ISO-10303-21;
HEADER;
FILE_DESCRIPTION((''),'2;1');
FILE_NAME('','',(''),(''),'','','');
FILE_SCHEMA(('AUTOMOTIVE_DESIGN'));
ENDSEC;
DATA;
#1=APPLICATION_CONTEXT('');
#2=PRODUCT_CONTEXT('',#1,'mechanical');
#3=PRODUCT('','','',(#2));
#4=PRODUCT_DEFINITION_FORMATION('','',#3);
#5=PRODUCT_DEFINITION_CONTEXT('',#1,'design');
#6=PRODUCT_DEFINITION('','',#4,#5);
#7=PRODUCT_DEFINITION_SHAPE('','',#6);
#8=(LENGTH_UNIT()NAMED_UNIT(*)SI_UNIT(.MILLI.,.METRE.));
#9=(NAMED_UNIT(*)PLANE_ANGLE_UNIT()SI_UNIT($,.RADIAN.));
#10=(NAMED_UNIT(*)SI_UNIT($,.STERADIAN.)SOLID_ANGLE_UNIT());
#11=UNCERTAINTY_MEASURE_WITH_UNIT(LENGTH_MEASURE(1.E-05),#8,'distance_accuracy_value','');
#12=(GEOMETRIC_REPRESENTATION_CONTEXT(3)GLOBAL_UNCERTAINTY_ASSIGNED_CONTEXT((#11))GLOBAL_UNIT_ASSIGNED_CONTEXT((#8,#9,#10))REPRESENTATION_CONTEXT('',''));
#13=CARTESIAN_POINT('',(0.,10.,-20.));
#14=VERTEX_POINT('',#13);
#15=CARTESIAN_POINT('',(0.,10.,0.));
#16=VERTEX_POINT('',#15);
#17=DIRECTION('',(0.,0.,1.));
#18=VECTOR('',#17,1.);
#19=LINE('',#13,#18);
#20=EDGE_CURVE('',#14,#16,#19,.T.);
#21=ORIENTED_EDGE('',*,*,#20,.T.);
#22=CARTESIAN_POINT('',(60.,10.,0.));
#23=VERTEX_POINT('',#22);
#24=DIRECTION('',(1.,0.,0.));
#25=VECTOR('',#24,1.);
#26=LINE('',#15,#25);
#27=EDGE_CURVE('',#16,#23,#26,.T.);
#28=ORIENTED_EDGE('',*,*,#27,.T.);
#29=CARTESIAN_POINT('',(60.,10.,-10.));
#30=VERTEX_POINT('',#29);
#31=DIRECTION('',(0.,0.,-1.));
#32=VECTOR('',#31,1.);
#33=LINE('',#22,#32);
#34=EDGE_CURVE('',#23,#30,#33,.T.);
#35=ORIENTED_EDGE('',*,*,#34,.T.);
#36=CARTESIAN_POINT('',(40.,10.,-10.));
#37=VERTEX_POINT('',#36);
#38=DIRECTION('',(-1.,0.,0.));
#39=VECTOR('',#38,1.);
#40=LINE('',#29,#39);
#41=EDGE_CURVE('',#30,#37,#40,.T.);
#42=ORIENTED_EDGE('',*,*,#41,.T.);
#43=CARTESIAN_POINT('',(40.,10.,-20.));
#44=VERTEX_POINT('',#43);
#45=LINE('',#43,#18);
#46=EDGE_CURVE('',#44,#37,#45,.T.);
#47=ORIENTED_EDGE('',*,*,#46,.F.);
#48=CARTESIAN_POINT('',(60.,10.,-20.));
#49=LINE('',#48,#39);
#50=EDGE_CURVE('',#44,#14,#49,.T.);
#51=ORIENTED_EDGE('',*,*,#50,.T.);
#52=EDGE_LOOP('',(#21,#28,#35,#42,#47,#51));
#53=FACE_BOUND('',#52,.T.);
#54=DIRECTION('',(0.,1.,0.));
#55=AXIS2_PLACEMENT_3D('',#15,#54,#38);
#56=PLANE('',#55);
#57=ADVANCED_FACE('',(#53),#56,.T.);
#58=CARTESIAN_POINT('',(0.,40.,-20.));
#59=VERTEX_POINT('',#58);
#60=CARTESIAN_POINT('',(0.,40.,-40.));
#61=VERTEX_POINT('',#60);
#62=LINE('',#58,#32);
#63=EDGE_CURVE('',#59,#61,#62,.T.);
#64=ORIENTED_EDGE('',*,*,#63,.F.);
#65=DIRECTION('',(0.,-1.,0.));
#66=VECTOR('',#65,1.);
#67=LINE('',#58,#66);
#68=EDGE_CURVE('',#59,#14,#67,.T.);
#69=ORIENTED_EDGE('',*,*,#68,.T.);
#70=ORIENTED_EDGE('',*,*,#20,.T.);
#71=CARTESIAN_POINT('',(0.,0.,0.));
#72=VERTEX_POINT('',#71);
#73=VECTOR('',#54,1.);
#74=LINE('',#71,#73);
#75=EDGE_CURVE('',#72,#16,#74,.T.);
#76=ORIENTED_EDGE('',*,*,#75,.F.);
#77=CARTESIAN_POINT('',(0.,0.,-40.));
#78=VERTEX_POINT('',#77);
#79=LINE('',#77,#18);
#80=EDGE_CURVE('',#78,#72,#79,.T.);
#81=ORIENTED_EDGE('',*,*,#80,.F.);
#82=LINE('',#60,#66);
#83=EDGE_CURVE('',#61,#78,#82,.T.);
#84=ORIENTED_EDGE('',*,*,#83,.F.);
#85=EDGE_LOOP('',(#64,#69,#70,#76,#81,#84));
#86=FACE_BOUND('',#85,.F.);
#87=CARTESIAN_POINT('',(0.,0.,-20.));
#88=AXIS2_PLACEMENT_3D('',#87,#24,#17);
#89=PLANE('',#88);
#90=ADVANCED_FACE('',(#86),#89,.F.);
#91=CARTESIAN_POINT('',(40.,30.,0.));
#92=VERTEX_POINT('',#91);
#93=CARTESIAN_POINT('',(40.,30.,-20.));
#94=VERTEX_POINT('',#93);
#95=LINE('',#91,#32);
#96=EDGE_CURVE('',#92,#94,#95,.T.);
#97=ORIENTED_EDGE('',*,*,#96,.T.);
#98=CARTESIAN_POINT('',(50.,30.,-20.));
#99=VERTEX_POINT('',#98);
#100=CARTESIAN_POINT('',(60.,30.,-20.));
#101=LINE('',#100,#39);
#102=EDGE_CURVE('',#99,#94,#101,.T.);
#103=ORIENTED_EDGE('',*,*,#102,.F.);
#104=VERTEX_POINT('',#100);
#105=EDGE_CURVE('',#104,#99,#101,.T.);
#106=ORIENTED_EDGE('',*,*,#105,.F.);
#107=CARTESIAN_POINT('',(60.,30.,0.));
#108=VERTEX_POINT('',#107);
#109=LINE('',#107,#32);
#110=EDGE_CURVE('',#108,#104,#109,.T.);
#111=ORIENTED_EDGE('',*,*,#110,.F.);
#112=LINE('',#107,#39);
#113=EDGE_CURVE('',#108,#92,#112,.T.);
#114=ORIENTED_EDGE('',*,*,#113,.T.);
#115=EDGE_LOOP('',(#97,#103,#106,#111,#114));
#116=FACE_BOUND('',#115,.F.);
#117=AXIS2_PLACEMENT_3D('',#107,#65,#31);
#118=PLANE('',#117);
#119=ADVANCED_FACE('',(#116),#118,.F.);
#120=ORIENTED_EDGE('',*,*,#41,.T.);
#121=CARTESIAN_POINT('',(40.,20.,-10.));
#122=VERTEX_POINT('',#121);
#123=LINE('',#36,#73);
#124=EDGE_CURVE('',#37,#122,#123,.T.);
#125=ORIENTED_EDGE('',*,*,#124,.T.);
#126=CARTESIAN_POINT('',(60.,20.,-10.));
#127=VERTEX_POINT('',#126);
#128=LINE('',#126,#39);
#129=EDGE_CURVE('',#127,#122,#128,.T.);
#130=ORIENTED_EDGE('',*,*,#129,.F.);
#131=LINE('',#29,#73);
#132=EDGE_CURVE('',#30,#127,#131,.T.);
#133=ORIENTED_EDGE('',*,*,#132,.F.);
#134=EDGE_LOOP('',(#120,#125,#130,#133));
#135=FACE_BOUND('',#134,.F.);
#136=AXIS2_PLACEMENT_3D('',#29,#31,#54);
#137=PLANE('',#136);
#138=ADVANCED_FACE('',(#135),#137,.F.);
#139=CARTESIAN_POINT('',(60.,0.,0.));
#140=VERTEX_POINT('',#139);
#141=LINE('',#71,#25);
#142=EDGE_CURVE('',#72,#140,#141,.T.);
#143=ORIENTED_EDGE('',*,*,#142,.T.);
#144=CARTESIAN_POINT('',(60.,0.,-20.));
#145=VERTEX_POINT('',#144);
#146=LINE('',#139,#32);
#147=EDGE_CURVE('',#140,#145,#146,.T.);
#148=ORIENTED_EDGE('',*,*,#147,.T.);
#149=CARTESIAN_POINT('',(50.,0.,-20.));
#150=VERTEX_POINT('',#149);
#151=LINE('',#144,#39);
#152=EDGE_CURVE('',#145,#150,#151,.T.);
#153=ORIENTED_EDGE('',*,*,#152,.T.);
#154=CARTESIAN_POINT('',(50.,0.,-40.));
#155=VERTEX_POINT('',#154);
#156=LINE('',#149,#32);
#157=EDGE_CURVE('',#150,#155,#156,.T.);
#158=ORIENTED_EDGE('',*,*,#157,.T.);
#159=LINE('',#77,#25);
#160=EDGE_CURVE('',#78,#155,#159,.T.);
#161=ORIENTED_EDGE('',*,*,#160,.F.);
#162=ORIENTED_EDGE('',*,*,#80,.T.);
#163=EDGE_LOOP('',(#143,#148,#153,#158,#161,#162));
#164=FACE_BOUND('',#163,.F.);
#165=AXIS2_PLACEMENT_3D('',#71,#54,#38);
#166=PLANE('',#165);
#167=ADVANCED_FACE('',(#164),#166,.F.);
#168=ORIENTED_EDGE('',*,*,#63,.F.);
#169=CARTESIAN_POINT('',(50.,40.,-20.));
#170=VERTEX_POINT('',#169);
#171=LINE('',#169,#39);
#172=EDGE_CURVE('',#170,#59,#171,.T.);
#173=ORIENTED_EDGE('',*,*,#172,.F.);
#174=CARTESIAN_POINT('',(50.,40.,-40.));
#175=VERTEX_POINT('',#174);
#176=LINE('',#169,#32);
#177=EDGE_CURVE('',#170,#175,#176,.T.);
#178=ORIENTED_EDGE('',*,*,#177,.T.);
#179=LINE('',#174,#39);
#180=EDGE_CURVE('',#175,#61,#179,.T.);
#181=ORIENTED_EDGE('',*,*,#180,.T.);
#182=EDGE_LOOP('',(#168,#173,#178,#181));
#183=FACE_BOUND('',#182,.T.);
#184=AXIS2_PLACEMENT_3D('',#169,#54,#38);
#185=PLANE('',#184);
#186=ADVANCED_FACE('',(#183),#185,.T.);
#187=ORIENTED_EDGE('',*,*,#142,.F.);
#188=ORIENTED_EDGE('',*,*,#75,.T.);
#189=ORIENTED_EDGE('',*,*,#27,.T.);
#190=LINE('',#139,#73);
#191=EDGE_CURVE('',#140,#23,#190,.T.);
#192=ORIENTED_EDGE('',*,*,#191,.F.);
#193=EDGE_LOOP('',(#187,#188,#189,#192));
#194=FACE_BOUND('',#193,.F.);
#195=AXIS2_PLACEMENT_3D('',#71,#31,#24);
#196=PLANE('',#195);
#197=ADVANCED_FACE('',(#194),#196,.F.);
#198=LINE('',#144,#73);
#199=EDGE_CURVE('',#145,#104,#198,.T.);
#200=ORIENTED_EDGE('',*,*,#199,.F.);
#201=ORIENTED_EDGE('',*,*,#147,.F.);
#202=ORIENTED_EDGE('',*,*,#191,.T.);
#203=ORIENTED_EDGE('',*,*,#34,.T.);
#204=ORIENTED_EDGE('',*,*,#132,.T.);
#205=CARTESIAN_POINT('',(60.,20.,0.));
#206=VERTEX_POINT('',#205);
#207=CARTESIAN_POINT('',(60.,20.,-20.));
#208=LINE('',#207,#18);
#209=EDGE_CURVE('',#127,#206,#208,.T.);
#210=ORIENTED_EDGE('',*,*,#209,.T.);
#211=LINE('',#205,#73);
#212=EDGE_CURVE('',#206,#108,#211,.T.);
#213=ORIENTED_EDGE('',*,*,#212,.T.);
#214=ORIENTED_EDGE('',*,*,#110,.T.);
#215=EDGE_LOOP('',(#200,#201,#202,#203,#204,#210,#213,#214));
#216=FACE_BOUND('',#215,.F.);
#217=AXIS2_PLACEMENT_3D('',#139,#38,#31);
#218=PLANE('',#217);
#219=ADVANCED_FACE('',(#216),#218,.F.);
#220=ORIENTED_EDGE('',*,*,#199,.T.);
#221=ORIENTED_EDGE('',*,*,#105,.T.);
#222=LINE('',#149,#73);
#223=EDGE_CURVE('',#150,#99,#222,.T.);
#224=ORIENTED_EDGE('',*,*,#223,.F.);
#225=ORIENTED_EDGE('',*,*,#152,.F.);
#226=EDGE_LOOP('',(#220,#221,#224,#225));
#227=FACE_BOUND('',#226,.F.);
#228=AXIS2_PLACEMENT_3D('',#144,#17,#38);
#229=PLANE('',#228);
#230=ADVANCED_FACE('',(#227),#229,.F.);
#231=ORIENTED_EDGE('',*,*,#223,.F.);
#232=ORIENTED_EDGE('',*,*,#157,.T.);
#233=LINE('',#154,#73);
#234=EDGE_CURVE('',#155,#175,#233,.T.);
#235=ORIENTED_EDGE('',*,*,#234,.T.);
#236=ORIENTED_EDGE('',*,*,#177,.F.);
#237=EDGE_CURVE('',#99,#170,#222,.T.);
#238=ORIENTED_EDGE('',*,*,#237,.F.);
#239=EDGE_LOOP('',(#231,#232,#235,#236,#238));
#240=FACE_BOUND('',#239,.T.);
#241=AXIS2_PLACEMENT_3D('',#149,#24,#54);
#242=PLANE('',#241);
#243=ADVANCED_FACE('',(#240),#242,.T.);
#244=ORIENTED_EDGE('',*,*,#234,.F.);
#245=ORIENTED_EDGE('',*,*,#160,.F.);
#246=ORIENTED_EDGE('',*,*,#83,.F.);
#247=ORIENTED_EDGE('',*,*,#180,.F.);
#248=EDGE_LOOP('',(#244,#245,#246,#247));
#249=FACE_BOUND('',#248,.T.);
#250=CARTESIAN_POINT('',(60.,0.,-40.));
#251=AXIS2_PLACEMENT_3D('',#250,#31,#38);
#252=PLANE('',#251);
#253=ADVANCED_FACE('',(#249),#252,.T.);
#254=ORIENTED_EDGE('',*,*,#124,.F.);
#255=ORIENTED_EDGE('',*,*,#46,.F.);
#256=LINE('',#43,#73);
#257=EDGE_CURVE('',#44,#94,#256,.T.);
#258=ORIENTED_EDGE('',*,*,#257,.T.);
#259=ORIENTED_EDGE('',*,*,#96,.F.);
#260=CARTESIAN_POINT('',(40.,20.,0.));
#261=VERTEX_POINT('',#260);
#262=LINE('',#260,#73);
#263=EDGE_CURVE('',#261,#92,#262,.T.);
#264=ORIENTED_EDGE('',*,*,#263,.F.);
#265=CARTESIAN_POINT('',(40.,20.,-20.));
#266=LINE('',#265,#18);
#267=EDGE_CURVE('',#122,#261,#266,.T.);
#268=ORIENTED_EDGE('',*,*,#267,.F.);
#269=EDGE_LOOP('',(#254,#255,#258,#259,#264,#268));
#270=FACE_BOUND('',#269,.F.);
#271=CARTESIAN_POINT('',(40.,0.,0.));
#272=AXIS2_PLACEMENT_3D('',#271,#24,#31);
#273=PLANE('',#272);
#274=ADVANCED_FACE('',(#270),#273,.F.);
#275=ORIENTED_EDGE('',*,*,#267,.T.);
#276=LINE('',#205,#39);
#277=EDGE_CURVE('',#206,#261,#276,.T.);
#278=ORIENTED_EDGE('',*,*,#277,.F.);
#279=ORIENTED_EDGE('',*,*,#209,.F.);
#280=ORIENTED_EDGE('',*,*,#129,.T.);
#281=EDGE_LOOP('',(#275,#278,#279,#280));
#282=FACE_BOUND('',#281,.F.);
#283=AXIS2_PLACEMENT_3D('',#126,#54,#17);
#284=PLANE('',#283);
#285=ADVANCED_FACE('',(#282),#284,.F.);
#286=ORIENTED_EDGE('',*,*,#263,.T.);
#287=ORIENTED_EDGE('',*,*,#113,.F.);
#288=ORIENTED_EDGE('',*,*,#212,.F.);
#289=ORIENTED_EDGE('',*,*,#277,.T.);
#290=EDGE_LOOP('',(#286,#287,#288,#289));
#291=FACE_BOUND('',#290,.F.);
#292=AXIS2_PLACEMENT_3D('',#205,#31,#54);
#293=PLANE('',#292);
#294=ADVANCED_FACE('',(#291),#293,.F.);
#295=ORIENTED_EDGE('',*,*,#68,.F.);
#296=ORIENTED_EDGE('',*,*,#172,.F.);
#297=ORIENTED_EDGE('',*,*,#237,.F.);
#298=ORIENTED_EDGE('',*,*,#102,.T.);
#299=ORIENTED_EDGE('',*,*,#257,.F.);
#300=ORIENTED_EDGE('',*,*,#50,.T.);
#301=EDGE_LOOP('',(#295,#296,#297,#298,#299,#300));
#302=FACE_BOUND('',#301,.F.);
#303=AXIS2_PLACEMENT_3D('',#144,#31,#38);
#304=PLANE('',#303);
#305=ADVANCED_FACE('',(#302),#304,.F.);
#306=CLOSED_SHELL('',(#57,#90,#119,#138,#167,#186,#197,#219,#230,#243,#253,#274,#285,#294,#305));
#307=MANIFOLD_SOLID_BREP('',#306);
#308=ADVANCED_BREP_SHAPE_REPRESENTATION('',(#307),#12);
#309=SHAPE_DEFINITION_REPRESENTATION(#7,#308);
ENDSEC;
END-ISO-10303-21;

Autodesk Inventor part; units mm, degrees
ref_plane "YZ Plane" through (0, 0, 0) normal (1, 0, 0) x (0, 1, 0)
ref_plane "XZ Plane" through (0, 0, 0) normal (0, 1, 0) x (-1, 0, 0)
ref_plane "XY Plane" through (0, 0, 0) normal (0, 0, 1) x (1, 0, 0)
sketch "草圖1" plane through (0, 0, 0) normal (0, 1, 0) x (-1, 0, 0)
  line L0 (0, 0) -> (-60, 0)
  line L1 (-60, 0) -> (-60, -20)
  line L2 (-60, -20) -> (0, -20)
  line L3 (0, -20) -> (0, 0)
  dimension "d0" = 20
  dimension "d1" = 60
extrude "擠出1" add sketch "草圖1" along normal blind 10
sketch "草圖2" plane through (60, 0, -20) normal (0, 0, -1) x (-1, 0, 0)
  line L0 (60, 0) -> (0, 0) projected
  line L1 (60, 0) -> (10, 0)
  line L2 (10, 0) -> (10, 40)
  line L3 (10, 40) -> (60, 40)
  line L4 (60, 40) -> (60, 0)
  dimension "d4" = 50
  dimension "d5" = 40
extrude "擠出2" add sketch "草圖2" along normal blind 20
sketch "草圖3" plane through (60, 0, 0) normal (1, 0, 0) x (0, 0, -1)
  line L0 (20, 10) -> (20, 40) projected
  line L1 (20, 10) -> (10, 10)
  line L2 (10, 10) -> (10, 20)
  line L3 (10, 20) -> (20, 20)
  line L4 (20, 20) -> (20, 10)
  line L5 (20, 20) -> (0, 20)
  line L6 (0, 20) -> (0, 30)
  line L7 (0, 30) -> (20, 30)
  line L8 (20, 30) -> (20, 20)
  point P0 (0, 0)
  dimension "d8" = 20
  dimension "d9" = 10
  dimension "d10" = 10
  dimension "d11" = 10
extrude "擠出3" add sketch "草圖3" against normal blind 20
properties part number "11"
